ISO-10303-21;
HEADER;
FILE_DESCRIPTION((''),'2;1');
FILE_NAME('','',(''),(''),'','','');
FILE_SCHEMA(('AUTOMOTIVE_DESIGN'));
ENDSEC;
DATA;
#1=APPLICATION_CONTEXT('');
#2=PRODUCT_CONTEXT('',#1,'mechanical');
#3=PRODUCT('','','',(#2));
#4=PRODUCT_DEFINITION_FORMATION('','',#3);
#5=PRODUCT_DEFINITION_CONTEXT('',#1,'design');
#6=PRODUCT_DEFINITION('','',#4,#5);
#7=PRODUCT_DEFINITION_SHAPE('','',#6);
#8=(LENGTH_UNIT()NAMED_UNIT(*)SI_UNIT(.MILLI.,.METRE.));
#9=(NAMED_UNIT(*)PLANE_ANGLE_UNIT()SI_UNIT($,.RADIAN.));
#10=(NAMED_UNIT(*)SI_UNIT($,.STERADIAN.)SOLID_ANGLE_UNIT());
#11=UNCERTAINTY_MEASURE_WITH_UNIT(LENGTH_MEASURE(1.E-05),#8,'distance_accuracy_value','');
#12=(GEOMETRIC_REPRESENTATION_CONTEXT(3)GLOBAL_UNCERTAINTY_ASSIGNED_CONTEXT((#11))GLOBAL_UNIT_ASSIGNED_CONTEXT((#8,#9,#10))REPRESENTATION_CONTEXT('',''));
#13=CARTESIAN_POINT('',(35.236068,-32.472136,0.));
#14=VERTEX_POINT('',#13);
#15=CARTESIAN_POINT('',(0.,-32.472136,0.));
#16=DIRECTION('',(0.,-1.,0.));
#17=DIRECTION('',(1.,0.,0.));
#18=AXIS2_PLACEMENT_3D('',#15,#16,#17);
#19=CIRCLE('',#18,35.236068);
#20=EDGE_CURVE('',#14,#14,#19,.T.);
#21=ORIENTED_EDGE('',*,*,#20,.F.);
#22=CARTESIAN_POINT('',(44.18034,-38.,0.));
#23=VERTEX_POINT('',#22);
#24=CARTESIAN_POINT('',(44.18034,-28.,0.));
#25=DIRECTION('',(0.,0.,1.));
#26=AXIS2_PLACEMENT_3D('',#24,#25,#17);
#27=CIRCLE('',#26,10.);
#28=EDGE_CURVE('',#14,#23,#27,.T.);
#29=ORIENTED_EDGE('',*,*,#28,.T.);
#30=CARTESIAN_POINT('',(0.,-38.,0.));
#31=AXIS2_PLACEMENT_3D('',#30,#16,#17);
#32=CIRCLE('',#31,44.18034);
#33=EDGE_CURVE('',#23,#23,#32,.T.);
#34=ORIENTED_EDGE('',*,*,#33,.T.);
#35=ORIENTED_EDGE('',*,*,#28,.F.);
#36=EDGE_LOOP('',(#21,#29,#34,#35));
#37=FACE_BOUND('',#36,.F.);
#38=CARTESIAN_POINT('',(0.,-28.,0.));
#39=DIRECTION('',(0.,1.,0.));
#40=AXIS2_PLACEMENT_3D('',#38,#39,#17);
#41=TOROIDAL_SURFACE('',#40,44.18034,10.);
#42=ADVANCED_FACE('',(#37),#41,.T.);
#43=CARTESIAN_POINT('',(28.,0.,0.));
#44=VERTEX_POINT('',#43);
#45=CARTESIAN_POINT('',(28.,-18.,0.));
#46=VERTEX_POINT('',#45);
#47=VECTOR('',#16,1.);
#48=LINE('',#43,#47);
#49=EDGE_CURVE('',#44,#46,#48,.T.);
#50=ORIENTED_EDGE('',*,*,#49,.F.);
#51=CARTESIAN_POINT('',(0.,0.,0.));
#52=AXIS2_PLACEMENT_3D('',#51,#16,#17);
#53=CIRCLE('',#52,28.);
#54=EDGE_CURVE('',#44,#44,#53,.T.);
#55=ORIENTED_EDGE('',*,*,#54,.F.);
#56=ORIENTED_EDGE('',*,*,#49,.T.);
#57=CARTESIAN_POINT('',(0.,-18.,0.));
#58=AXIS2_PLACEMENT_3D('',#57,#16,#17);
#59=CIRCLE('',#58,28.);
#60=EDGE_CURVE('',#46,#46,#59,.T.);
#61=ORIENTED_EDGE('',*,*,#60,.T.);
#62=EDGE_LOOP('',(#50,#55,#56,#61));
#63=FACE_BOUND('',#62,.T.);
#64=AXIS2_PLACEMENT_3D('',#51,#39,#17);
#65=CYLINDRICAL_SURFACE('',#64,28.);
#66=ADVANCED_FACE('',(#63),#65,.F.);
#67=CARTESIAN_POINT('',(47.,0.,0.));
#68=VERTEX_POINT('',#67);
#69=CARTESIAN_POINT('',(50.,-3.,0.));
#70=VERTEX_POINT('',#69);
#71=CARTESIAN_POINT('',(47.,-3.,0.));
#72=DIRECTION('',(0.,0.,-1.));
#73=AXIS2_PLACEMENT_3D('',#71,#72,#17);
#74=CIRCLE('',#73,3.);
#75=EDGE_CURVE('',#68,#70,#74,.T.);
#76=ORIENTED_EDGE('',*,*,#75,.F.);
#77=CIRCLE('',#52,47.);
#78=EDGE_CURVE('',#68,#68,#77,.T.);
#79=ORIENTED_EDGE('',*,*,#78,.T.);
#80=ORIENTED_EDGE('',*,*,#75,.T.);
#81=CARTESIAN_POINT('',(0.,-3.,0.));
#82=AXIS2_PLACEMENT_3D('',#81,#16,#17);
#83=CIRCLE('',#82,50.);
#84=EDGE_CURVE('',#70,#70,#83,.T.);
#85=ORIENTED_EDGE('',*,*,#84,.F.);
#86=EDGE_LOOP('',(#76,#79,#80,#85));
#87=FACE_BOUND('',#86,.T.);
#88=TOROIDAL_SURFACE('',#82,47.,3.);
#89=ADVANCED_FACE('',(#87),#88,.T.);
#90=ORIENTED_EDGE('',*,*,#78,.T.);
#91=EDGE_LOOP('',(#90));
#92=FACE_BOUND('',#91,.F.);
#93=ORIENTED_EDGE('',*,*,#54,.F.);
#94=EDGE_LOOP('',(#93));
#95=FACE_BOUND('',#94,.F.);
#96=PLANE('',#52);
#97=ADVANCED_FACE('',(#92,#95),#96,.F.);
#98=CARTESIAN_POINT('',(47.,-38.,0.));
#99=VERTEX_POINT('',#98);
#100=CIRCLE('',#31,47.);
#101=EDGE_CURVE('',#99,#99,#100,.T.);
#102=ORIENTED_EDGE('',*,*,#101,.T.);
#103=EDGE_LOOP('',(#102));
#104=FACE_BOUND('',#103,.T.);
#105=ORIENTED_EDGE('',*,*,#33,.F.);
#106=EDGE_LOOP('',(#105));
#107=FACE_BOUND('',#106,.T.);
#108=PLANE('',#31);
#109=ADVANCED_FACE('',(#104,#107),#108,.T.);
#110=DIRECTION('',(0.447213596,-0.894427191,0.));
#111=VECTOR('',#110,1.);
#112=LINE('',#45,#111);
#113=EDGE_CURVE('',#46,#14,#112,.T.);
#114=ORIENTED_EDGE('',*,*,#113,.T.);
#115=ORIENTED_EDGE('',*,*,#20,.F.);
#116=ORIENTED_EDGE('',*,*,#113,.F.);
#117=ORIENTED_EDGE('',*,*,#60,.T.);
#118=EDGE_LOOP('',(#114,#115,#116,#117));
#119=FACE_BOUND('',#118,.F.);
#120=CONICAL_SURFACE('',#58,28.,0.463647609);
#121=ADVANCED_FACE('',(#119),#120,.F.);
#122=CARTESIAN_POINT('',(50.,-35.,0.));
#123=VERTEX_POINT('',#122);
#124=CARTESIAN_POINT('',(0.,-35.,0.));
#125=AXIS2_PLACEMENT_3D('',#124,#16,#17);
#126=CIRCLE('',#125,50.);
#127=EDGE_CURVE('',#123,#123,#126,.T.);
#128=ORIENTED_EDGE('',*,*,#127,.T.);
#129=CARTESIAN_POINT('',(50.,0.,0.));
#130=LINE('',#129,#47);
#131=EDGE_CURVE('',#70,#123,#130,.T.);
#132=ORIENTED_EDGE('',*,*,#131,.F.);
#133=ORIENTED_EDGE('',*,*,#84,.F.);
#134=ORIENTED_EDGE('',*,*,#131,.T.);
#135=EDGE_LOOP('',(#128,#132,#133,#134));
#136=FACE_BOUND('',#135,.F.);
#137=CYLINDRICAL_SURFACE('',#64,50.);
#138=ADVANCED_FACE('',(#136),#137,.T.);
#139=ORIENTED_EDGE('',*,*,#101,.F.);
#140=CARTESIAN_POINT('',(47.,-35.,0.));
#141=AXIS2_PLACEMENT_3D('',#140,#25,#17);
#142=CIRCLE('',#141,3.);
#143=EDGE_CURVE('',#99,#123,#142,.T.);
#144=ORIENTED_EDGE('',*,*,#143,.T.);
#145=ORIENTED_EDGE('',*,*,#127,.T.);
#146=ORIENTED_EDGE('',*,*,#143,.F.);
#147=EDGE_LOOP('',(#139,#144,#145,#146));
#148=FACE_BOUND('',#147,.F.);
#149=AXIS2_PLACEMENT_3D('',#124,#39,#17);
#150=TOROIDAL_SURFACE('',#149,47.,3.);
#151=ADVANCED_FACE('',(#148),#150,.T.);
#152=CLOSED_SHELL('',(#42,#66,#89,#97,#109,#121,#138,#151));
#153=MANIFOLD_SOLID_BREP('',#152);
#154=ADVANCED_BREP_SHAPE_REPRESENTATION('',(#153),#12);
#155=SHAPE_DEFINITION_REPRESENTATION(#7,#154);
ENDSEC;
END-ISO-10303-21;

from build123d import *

# Parameters (mm, degrees)
F0_R     = 50
F0_R_2   = 28
F1_DEPTH = 38
F2_SIZE2 = 10
F2_SIZE  = 20
F3_R     = 10
F4_R     = 3


with BuildPart() as f1:
    # F0 (on Front) → F1 (new body)
    with BuildSketch(Plane.XZ):
        Circle(F0_R)
        Circle(F0_R_2, mode=Mode.SUBTRACT)
    extrude(amount=F1_DEPTH)

    # F2
    f2_edges = [f1.edges().sort_by_distance(p)[0] for p in [
        (-28, -38, 0),
    ]]
    f2_side = f1.faces().sort_by_distance((-28, -19, 0))[0]
    chamfer(f2_edges, length=F2_SIZE, length2=F2_SIZE2, reference=f2_side)

    # F3
    f3_edges = [f1.edges().sort_by_distance(p)[0] for p in [
        (-38, -38, 0),
    ]]
    fillet(f3_edges, radius=F3_R)

    # F4
    f4_edges = [f1.edges().sort_by_distance(p)[0] for p in [
        (-50, 0, 0),
        (-50, -38, 0),
    ]]
    fillet(f4_edges, radius=F4_R)


solid = f1.part
